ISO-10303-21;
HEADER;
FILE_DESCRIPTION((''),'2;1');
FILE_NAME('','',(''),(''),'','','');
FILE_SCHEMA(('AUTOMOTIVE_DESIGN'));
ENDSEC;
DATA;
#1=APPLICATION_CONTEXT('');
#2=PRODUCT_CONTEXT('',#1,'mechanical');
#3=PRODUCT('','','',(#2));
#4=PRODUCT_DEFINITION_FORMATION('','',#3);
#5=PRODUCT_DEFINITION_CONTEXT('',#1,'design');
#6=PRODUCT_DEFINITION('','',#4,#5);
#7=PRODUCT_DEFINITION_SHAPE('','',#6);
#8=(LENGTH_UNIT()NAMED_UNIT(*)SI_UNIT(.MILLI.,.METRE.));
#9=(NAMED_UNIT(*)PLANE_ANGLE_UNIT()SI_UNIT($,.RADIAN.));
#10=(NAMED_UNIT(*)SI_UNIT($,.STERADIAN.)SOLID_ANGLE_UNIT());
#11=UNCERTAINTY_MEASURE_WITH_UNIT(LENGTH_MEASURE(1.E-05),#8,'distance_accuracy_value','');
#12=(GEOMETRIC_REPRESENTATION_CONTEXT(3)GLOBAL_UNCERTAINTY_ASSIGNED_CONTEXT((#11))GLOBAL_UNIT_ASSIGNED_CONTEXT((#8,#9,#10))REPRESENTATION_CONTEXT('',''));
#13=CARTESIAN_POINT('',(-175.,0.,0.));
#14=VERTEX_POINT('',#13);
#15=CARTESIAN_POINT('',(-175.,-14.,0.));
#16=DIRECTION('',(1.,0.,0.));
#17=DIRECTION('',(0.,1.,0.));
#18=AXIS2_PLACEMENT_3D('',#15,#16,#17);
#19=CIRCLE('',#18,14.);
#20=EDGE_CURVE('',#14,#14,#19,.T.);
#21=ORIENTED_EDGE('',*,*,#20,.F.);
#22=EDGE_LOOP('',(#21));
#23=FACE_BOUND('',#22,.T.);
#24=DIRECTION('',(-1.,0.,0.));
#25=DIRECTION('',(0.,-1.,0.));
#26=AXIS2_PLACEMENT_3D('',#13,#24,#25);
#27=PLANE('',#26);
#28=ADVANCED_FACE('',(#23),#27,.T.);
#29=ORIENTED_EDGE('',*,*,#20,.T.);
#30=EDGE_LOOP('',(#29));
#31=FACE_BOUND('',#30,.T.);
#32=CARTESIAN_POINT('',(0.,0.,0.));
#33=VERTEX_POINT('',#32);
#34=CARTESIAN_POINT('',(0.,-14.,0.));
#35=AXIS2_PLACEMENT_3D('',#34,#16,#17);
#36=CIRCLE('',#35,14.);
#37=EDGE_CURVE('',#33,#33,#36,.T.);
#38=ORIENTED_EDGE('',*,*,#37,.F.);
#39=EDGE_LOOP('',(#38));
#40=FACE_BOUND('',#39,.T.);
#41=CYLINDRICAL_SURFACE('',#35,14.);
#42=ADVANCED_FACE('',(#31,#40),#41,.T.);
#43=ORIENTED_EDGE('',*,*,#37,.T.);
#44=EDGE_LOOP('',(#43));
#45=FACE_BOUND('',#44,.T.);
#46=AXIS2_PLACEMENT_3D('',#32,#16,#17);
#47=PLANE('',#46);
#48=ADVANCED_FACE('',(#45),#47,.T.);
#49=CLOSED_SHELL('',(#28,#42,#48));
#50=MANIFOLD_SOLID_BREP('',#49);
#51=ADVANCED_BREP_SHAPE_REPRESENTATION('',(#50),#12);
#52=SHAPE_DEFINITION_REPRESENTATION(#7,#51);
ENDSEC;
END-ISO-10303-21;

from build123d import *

# Parameters (mm, degrees)
SKETCH1_W = 175
SKETCH1_H = 14


with BuildPart() as part:
    # Sketch1 → Revolve2 (revolve)
    with BuildSketch(Plane.XY):
        with Locations((-87.5, -7)):
            Rectangle(SKETCH1_W, SKETCH1_H)
    revolve(axis=Axis((0, -14, 0), (-1, 0, 0)))


solid = part.part
